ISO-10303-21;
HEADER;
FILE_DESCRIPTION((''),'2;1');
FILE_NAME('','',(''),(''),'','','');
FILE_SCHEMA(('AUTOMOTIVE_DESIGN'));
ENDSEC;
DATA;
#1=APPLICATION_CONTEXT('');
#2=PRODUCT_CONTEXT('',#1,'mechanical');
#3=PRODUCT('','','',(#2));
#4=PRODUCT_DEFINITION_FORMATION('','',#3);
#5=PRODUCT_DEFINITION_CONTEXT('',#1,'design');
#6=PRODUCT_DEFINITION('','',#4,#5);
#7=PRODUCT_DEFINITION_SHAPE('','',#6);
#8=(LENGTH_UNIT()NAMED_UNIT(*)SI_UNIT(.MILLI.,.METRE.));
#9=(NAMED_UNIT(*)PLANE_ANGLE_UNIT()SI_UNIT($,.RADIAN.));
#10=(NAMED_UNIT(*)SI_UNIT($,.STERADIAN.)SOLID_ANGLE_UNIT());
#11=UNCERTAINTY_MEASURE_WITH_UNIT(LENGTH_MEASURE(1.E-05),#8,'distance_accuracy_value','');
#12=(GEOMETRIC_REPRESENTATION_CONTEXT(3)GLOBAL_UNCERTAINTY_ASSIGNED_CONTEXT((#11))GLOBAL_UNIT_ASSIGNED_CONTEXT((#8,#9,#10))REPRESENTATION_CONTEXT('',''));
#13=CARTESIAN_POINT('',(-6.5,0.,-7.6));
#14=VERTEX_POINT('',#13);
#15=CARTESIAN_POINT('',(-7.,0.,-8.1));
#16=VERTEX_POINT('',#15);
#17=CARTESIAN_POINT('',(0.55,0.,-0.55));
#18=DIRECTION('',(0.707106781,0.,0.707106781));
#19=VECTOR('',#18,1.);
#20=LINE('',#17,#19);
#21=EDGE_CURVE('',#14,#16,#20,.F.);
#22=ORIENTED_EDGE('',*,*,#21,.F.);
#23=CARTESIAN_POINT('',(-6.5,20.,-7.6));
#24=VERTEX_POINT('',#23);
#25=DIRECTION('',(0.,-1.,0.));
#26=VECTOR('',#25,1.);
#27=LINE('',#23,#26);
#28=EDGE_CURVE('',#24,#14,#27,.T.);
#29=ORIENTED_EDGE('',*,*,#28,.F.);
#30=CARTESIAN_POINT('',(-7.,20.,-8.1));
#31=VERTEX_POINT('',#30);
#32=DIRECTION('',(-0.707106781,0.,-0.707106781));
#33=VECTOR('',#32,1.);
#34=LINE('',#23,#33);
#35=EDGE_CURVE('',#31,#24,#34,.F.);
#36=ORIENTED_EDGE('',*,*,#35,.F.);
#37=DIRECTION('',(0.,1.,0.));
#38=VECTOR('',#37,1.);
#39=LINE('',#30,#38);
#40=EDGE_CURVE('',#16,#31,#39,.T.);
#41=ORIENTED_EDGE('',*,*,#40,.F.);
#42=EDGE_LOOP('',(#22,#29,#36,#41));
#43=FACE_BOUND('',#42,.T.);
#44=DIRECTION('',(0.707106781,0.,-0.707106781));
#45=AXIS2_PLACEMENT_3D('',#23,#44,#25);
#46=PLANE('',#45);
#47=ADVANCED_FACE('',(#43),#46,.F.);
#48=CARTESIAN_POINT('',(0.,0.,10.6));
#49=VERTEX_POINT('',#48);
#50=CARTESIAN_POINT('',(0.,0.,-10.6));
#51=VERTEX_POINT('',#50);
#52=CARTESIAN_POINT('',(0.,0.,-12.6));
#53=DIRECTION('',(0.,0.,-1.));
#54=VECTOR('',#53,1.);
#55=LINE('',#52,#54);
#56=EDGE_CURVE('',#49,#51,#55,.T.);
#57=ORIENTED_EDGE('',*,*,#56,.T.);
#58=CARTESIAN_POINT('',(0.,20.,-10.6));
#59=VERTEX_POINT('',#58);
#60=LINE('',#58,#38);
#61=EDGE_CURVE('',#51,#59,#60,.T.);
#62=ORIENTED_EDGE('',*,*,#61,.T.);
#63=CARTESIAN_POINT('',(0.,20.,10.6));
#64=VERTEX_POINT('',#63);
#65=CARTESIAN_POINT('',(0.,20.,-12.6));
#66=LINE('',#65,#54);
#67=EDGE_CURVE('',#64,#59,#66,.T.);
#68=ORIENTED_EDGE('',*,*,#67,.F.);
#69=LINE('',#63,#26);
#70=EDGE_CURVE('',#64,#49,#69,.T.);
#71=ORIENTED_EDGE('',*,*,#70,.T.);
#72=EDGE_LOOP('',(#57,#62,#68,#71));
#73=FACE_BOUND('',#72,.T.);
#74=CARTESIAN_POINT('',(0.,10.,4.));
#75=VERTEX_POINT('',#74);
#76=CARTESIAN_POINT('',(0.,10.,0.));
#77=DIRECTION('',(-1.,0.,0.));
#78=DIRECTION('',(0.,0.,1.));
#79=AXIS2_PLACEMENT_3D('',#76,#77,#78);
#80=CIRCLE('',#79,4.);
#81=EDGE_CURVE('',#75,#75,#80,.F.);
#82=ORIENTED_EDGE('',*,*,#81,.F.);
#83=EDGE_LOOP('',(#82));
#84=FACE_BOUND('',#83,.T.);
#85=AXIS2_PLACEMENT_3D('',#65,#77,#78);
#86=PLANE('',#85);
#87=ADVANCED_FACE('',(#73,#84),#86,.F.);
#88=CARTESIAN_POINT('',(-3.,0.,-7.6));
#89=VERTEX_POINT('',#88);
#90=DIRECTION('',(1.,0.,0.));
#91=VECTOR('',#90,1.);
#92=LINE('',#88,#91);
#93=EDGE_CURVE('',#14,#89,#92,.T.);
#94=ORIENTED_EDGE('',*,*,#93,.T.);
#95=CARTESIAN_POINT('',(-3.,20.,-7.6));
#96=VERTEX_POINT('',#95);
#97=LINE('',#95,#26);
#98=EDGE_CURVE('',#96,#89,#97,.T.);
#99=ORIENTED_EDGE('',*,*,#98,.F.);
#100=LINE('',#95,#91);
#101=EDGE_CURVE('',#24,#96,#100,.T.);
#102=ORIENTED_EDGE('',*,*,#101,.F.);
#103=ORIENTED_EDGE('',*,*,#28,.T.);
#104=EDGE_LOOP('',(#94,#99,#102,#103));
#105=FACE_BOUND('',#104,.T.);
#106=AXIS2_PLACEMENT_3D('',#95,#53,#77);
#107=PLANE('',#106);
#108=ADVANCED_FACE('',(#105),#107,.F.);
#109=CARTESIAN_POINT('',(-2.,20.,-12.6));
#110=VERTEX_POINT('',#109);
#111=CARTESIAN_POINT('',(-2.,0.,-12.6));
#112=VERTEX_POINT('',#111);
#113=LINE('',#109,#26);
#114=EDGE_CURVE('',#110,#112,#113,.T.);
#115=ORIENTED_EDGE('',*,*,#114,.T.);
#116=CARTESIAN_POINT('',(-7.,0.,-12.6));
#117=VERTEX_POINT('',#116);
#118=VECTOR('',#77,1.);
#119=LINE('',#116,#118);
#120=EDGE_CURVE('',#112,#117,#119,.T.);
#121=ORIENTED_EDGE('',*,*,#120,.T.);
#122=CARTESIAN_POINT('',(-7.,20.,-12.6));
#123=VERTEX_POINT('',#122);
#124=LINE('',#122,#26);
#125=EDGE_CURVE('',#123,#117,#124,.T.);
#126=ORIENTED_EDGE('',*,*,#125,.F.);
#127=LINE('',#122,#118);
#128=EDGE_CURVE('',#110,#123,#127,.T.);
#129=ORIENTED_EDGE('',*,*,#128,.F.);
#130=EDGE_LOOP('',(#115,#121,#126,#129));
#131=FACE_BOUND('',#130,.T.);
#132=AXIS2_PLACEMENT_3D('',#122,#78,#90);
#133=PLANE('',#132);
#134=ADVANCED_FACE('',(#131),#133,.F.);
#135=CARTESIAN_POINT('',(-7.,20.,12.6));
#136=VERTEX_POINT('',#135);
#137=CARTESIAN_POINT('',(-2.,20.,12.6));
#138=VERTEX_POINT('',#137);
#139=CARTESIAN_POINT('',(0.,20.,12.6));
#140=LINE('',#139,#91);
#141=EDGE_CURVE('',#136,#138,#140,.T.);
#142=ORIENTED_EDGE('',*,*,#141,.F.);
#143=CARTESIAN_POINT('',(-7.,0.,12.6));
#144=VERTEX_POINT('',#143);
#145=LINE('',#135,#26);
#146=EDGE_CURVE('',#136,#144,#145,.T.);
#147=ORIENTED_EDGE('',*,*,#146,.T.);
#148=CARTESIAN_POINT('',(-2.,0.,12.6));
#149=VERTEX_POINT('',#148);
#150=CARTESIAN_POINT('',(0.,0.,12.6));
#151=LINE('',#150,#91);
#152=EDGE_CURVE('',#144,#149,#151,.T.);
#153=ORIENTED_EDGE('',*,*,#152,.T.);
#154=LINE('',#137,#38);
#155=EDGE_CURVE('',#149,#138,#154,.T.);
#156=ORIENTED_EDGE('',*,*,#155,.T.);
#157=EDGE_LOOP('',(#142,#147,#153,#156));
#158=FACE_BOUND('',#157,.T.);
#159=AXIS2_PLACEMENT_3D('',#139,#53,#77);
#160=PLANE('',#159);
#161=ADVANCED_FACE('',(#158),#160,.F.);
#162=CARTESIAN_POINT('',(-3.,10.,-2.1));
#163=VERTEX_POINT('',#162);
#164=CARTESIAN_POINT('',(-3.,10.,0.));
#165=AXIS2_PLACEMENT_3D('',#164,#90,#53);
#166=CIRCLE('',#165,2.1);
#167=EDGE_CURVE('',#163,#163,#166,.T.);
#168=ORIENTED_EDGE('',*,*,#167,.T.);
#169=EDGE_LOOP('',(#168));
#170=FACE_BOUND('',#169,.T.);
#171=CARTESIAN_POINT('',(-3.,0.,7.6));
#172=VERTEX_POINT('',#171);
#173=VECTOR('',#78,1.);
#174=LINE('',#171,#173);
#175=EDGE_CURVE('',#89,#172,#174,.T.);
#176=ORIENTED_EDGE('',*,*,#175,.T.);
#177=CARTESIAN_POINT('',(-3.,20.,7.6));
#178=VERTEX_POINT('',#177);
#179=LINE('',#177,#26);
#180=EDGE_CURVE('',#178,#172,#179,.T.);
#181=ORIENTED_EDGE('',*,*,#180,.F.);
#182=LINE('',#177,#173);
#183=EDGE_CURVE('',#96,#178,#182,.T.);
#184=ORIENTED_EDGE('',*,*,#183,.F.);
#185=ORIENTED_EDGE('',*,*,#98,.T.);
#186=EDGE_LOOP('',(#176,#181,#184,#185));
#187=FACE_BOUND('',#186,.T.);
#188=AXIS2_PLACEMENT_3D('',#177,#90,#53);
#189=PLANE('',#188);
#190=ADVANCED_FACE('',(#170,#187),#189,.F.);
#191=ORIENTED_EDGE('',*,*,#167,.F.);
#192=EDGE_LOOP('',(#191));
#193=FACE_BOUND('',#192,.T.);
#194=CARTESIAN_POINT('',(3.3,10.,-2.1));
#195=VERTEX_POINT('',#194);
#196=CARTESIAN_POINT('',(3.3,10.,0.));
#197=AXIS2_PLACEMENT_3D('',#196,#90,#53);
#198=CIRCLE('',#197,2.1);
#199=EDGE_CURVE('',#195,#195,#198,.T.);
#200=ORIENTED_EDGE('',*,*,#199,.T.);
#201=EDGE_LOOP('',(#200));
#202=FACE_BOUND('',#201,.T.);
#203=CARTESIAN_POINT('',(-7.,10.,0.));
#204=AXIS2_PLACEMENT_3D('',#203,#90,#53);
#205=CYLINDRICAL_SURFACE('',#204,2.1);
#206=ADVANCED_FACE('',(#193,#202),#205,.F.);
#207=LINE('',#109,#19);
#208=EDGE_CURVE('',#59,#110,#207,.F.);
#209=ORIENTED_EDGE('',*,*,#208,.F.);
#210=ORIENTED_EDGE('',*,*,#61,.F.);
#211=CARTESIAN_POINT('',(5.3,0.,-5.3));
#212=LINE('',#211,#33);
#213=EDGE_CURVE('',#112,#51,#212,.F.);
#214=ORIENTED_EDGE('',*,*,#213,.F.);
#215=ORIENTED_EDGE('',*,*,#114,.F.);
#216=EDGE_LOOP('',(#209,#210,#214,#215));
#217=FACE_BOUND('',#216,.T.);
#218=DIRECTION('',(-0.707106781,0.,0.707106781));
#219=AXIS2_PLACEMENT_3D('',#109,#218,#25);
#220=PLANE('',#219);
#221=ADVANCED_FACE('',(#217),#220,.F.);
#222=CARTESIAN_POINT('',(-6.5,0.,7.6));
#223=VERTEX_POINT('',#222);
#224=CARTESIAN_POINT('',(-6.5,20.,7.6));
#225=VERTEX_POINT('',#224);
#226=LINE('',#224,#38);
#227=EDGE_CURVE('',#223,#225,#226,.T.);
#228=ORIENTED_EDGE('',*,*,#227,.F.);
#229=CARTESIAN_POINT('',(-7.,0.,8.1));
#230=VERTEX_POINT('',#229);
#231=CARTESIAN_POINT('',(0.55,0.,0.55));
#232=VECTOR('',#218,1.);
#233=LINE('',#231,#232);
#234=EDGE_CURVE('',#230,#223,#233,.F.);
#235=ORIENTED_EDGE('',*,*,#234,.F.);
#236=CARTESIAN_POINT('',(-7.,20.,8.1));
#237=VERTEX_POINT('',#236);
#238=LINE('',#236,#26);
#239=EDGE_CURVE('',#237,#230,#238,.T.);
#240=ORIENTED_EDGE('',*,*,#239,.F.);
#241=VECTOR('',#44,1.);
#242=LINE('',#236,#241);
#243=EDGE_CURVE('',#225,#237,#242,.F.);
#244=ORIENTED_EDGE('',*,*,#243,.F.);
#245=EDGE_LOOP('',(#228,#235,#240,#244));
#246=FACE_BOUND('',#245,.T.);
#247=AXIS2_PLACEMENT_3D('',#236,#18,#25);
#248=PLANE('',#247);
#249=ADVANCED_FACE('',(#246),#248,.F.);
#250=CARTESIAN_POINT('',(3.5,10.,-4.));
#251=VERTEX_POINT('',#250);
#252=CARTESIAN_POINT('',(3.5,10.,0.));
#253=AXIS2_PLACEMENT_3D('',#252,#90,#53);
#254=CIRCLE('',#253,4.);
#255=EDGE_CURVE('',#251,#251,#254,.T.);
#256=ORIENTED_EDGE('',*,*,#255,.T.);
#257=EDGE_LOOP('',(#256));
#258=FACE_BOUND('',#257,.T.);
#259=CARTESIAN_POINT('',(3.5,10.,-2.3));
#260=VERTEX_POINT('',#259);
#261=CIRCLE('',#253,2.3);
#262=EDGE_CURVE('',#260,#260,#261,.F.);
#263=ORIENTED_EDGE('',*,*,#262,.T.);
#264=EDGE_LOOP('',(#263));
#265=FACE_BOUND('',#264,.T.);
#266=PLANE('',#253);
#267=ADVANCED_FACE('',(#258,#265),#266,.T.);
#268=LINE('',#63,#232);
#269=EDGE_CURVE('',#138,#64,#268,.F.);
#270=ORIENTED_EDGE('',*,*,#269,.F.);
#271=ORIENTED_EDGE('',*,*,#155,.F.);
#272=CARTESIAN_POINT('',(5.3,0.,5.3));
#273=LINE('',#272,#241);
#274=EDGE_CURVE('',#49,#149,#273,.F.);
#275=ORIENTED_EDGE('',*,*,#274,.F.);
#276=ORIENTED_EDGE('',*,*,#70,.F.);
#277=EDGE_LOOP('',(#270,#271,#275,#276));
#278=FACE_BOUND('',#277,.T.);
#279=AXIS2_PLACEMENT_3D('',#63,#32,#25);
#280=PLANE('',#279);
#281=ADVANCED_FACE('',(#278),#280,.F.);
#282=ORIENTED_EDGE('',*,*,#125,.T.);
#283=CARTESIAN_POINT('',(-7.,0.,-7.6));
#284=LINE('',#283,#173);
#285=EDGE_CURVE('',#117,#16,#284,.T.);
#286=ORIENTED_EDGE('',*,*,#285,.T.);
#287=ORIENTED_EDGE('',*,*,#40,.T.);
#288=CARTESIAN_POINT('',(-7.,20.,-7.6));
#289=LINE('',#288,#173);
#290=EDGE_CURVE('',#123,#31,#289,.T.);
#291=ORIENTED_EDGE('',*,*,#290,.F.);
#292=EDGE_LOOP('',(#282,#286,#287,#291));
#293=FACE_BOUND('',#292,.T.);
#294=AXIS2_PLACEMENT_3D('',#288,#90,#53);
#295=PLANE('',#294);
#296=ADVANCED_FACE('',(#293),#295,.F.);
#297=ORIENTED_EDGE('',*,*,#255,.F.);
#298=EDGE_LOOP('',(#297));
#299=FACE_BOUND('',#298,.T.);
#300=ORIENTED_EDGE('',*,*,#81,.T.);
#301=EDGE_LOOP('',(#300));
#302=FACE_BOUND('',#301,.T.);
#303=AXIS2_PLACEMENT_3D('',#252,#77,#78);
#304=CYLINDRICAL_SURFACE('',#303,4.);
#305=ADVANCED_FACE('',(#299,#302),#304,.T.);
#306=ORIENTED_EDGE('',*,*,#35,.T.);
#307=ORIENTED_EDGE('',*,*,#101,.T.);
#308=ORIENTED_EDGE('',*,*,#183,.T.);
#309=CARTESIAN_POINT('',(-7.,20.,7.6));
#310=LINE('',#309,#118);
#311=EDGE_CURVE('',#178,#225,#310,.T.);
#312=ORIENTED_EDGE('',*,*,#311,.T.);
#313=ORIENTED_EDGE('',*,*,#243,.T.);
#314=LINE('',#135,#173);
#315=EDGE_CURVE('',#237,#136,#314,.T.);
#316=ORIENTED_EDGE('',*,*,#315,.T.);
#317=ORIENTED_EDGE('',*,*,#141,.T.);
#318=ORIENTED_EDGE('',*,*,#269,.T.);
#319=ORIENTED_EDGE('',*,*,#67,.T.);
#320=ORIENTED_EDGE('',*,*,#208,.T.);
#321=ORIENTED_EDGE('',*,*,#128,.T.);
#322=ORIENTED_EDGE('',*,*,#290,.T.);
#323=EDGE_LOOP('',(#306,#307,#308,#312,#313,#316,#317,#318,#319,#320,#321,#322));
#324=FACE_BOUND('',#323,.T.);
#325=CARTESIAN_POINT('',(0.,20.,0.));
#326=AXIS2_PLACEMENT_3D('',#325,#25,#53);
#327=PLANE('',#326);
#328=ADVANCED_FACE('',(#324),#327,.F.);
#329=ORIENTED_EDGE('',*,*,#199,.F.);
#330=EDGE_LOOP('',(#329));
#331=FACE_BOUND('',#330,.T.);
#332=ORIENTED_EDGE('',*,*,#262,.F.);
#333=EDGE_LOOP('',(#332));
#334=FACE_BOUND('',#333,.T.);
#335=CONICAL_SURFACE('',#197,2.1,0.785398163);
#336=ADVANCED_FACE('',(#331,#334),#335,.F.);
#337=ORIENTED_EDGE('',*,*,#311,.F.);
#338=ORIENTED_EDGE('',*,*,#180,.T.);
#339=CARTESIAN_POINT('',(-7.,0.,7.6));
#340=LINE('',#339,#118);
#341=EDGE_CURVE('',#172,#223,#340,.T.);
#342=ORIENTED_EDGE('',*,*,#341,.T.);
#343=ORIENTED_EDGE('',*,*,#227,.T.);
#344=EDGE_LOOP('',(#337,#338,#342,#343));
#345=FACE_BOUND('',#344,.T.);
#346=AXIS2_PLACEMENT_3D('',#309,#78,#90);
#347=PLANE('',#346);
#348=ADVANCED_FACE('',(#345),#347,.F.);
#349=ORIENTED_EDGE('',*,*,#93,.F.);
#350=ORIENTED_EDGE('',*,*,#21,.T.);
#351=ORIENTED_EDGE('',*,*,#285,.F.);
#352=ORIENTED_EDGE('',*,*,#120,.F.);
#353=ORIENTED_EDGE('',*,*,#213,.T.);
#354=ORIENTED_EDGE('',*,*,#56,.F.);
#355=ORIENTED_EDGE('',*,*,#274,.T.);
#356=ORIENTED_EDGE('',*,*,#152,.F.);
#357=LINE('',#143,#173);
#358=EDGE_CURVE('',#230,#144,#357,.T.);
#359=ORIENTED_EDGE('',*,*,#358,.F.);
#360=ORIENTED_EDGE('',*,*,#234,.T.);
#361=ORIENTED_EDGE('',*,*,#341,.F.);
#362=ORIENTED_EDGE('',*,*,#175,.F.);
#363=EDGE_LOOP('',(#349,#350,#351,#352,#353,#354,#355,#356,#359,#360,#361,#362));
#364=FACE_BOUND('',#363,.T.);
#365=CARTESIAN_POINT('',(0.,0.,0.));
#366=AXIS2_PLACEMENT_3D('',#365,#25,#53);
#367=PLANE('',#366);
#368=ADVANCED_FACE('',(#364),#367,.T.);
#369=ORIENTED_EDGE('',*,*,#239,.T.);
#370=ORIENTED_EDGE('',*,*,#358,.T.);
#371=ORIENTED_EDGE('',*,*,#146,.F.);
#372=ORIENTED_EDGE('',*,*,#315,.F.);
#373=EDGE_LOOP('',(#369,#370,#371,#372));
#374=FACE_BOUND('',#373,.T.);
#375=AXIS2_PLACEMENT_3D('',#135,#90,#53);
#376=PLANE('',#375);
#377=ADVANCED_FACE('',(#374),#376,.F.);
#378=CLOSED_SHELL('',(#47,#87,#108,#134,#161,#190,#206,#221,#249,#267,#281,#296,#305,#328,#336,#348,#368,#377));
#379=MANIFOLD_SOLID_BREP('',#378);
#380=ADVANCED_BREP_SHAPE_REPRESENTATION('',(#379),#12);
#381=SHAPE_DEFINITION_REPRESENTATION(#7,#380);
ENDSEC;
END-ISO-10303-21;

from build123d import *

# Parameters (mm, degrees)
EXTRUDE_1_DEPTH     = 20
CHAMFER_1_SIZE      = 2
SKETCH_2_R          = 4
EXTRUDE_2_DEPTH     = 3.5
SKETCH_3_R          = 2.1
CUT_EXTRUDE_1_DEPTH = 26.865227623
CHAMFER_2_SIZE      = 0.2
CHAMFER_3_SIZE      = 0.5


with BuildPart() as part:
    # 草图1 → 凸台-拉伸1 (new body)
    with BuildSketch(Plane(origin=(0, 0, 0), x_dir=(1, 0, 0), z_dir=(0, 1, 0))):
        Polygon((-7, 12.6), (0, 12.6), (0, -12.6), (-7, -12.6), (-7, -7.6), (-3, -7.6), (-3, 7.6), (-7, 7.6), align=None)
    extrude(amount=EXTRUDE_1_DEPTH)

    # 倒角1
    chamfer_1_edges = [part.edges().sort_by_distance(p)[0] for p in [
        (0, 10, -12.6),
        (0, 10, 12.6),
    ]]
    chamfer(chamfer_1_edges, length=CHAMFER_1_SIZE)

    # 草图2 → 凸台-拉伸2 (add)
    with BuildSketch(Plane(origin=(0, 0, 0), x_dir=(0, 0, -1), z_dir=(1, 0, 0))):
        with Locations(Location((0, 10, 0), (0, 0, 180))):
            Circle(SKETCH_2_R)
    extrude(amount=EXTRUDE_2_DEPTH)

    # 草图3 → 切除-拉伸1 (cut, through all)
    with BuildSketch(Plane(origin=(3.5, 0, 0), x_dir=(0, 0, -1), z_dir=(1, 0, 0))):
        with Locations((0, 10)):
            Circle(SKETCH_3_R)
    extrude(amount=-CUT_EXTRUDE_1_DEPTH, mode=Mode.SUBTRACT)

    # 倒角2
    chamfer_2_edges = [part.edges().sort_by_distance(p)[0] for p in [
        (3.5, 10, 2.1),
    ]]
    chamfer(chamfer_2_edges, length=CHAMFER_2_SIZE)

    # 倒角3
    chamfer_3_edges = [part.edges().sort_by_distance(p)[0] for p in [
        (-7, 10, 7.6),
        (-7, 10, -7.6),
    ]]
    chamfer(chamfer_3_edges, length=CHAMFER_3_SIZE)


solid = part.part
